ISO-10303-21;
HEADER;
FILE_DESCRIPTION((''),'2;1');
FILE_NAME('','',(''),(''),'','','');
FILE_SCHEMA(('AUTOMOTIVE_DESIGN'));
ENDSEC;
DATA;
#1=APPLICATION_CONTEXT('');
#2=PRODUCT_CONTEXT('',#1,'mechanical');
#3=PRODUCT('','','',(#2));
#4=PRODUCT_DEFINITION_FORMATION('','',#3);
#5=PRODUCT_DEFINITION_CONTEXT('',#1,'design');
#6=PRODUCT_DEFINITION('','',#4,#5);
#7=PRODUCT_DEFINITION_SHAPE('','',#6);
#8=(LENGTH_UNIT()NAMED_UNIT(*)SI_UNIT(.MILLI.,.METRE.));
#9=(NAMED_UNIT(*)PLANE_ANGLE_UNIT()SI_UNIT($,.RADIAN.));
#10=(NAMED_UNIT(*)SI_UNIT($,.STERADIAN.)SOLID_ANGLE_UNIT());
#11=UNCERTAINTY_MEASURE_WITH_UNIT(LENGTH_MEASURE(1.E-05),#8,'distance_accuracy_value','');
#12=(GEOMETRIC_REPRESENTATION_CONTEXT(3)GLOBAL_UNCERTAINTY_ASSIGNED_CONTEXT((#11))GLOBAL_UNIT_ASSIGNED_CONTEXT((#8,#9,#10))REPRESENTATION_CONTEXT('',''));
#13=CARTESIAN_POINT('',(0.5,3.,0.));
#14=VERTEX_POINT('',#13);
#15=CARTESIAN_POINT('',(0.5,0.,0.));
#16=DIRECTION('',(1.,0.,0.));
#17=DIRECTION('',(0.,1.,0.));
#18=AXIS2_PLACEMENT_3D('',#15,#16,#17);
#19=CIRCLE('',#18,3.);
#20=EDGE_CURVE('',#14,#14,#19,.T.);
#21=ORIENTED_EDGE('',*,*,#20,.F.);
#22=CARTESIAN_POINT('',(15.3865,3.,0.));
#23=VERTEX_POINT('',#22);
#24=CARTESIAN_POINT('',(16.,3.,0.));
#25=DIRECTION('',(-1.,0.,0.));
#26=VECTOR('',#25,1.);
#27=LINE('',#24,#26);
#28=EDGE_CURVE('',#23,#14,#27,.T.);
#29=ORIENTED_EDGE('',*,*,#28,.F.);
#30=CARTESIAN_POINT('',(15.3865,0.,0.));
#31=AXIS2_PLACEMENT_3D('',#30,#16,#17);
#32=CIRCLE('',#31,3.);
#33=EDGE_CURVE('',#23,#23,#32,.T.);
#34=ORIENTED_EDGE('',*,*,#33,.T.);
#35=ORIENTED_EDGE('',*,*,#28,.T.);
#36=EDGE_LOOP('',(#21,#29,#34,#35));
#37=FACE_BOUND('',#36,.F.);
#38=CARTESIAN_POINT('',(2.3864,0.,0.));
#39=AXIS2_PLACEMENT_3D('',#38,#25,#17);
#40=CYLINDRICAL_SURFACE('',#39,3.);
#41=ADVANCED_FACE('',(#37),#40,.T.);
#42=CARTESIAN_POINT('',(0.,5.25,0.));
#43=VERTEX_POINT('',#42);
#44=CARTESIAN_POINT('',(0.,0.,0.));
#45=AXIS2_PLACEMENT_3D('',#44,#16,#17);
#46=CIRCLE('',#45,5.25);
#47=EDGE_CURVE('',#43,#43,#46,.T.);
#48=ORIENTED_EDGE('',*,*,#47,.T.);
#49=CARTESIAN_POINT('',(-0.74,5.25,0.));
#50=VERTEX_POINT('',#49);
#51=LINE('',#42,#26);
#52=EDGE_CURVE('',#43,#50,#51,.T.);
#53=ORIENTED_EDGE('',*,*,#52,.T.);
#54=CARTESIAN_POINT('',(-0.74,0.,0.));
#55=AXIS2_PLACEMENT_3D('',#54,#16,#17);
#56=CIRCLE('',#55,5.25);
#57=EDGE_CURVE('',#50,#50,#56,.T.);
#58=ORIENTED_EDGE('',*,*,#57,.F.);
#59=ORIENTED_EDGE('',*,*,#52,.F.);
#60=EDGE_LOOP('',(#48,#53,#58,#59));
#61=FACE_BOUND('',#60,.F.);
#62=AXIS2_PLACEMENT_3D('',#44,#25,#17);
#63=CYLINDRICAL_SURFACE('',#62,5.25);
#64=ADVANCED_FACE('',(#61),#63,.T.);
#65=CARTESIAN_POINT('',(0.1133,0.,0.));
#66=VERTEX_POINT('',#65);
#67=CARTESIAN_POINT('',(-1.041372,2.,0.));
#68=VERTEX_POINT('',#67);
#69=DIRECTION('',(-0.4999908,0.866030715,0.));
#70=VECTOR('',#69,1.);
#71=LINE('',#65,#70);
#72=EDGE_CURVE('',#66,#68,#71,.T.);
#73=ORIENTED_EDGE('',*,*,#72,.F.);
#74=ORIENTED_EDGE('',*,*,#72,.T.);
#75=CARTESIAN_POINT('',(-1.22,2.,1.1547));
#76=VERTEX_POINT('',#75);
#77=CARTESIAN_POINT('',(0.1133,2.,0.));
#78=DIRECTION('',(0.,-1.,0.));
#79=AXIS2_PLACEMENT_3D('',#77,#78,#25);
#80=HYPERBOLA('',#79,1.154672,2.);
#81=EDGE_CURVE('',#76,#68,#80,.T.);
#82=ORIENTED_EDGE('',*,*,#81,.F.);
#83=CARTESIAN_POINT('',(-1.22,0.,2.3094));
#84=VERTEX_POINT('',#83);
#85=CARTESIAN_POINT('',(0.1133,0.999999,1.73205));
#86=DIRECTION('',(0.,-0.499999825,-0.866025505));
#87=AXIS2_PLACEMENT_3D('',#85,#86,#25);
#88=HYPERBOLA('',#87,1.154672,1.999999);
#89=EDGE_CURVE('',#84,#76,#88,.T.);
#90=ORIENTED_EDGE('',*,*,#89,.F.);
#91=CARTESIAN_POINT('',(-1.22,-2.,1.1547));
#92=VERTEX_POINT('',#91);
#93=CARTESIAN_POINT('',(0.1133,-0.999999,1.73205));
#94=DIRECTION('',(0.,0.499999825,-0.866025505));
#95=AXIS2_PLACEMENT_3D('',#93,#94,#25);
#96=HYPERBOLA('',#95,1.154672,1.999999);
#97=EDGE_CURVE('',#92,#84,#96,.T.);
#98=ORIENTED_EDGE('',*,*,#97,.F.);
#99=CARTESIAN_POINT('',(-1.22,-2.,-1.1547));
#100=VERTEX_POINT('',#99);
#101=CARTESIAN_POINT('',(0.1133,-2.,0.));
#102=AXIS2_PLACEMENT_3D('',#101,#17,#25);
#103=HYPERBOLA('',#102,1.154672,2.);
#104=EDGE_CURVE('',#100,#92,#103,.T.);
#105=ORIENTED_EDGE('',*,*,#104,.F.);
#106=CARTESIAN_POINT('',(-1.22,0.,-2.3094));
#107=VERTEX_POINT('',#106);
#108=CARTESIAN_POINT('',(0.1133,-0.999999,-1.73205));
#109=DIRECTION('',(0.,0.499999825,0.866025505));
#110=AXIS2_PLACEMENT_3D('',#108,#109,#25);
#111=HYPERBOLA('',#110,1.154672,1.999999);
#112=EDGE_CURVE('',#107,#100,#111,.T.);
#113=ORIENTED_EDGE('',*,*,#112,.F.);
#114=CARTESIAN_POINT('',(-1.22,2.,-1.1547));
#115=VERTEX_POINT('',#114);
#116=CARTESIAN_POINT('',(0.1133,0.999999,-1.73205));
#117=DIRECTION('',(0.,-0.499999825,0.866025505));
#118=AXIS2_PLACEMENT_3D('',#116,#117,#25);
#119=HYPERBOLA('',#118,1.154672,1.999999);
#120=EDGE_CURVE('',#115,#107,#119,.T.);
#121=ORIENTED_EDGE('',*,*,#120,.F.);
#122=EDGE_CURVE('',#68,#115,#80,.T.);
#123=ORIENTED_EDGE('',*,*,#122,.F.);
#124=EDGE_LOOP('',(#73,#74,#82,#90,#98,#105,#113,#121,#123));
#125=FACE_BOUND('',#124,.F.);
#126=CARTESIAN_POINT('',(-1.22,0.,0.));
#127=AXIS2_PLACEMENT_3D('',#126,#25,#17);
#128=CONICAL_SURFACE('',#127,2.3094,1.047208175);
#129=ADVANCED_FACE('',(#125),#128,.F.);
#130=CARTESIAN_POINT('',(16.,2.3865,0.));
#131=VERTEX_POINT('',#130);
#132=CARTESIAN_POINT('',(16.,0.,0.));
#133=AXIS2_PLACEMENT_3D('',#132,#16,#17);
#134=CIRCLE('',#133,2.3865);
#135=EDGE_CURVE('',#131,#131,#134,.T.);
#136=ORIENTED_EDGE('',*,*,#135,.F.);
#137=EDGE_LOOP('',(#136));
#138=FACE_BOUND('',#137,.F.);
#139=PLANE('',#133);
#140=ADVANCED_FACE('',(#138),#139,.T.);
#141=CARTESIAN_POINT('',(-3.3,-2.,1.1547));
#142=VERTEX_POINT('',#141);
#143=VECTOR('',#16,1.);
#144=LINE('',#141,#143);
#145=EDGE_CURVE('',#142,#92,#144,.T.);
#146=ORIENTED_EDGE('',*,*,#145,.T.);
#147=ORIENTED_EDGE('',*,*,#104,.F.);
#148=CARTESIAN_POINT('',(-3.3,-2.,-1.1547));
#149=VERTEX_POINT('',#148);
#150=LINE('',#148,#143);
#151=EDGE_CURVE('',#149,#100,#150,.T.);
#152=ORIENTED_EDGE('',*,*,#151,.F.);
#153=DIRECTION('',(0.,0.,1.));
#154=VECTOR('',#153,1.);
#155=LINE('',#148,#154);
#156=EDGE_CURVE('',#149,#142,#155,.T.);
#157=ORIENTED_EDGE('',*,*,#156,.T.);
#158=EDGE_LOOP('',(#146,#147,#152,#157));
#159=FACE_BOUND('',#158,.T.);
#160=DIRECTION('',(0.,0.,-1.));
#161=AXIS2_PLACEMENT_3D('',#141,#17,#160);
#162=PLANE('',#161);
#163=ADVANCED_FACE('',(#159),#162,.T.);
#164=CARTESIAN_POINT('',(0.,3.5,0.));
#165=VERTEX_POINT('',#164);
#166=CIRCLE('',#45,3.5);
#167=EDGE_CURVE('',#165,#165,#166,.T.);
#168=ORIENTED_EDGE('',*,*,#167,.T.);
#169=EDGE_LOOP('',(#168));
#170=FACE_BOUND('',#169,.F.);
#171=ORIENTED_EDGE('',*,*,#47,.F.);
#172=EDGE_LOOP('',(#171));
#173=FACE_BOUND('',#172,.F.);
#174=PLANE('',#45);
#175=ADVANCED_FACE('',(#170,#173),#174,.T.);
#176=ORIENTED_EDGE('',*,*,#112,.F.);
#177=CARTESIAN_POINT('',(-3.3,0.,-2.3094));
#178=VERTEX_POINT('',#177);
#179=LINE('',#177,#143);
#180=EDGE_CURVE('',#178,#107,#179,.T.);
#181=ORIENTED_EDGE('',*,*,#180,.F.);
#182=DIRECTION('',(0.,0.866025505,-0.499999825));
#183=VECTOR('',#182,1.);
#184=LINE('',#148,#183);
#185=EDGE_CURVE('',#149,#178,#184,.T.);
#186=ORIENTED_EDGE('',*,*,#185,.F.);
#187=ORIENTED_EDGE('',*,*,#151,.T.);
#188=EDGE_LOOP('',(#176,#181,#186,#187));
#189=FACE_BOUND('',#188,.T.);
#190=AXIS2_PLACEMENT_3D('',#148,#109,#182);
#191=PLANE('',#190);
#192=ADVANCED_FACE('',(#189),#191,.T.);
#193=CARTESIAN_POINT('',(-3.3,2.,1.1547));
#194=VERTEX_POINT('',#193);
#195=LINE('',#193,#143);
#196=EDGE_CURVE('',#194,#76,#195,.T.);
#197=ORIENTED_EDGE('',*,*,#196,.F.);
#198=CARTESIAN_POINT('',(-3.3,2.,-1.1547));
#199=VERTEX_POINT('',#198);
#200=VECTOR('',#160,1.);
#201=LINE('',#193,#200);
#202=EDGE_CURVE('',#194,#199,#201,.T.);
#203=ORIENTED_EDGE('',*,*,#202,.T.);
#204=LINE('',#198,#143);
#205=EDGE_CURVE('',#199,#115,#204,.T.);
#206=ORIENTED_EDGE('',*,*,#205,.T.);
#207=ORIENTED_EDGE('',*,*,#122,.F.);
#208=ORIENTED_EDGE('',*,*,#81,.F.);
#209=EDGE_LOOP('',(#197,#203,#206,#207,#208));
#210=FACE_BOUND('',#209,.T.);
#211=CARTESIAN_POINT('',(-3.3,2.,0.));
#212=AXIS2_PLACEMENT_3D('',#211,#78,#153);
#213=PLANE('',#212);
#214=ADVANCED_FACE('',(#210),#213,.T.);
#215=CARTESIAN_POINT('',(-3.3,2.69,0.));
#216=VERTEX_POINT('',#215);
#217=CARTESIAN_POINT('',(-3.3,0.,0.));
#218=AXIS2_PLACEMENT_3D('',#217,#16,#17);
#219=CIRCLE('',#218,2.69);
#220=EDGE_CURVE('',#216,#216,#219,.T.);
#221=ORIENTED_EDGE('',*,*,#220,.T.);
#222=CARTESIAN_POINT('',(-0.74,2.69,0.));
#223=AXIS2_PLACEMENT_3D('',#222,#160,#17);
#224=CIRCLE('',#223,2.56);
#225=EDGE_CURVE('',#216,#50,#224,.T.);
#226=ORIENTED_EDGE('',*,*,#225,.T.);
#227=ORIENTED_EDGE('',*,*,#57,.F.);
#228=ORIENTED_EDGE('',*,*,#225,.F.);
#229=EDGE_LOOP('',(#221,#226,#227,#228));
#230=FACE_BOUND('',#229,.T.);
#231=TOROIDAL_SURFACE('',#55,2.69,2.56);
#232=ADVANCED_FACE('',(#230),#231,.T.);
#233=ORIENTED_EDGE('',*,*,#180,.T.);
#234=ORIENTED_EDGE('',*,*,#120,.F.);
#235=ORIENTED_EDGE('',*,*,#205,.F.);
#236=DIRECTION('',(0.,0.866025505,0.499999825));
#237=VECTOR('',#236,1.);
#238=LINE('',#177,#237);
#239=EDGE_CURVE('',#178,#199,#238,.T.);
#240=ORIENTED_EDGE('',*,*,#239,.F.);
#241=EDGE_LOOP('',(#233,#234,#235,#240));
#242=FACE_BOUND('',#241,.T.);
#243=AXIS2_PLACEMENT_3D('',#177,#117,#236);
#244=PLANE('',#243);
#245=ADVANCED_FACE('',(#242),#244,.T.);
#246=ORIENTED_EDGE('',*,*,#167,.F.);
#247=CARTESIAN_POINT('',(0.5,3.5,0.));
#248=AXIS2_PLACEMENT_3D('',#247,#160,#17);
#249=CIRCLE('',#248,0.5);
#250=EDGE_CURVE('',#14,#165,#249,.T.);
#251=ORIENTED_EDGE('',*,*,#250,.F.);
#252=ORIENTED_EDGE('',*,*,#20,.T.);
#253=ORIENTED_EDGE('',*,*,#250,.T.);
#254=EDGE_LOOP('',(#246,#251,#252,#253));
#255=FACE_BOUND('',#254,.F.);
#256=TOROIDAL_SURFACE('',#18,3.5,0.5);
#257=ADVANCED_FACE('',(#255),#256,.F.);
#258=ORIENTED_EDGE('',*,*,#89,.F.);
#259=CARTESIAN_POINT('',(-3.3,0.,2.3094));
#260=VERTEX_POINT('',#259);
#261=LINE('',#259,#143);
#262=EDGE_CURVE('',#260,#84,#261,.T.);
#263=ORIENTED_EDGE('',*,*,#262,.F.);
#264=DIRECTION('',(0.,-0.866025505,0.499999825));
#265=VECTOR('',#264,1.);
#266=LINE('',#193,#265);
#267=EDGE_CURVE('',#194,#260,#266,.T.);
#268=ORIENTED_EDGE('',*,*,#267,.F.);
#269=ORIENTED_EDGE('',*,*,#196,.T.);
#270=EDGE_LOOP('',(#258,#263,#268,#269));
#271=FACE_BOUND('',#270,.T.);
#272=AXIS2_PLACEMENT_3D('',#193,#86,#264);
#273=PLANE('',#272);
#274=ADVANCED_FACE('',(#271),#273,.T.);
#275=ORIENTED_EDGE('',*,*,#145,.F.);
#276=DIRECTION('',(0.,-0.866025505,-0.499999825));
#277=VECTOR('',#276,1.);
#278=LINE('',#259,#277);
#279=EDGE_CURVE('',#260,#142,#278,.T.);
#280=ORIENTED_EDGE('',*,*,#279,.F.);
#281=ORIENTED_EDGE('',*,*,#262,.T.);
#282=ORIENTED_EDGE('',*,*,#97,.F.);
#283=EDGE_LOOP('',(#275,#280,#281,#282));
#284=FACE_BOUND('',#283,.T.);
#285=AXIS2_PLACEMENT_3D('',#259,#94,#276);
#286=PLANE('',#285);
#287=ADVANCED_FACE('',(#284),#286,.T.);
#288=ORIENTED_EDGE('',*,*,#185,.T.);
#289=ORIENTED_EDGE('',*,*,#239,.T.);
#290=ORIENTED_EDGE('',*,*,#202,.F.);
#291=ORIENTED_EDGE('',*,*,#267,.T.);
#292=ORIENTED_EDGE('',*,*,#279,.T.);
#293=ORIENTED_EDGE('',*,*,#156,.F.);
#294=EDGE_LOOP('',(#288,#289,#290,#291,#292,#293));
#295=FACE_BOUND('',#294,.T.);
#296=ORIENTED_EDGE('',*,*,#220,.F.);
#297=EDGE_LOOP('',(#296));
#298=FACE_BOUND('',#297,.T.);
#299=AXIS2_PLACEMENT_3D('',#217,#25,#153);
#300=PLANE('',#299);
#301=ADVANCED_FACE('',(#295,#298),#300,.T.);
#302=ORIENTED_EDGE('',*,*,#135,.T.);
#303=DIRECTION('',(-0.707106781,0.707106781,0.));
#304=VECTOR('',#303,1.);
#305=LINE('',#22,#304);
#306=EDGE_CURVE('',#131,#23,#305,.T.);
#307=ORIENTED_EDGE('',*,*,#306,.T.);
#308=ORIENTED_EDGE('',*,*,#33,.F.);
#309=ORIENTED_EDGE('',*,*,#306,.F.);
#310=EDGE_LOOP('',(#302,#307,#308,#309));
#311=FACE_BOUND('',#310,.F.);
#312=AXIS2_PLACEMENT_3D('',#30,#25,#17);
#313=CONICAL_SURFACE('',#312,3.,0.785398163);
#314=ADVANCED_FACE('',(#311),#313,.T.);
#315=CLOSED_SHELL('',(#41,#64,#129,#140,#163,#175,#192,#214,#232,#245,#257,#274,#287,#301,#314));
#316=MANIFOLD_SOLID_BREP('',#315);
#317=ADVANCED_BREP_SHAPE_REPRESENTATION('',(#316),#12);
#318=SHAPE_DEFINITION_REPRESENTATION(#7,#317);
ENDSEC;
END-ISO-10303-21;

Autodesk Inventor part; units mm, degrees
ref_plane "YZ Plane" through (0, 0, 0) normal (1, 0, 0) x (0, 1, 0)
ref_plane "XZ Plane" through (0, 0, 0) normal (0, 1, 0) x (-1, 0, 0)
sketch "Sketch1" plane through (0, 0, 0) normal (0, 0, 1) x (1, 0, 0)
  line L0 (0.1133, 0) -> (16, 0)
  line L1 (16, 0) -> (16, 3)
  line L2 (16, 3) -> (3, 3)
  line L3 (3, 3) -> (2.3864, 3)
  line L4 (2.3864, 3) -> (0, 3)
  line L5 (0, 3) -> (0, 5.25)
  line L6 (0, 5.25) -> (-3.3, 5.25)
  line L7 (-3.3, 5.25) -> (-3.3, 2.3094)
  line L8 (-3.3, 2.3094) -> (-1.22, 2.3094)
  line L9 (-1.22, 2.3094) -> (0.1133, 0)
  line L10 (-7.16, 0) -> (19.86, 0) projected
  line L11 (0, -1.05) -> (0, 6.3) projected
  line L12 (3, 3) -> (0, 3) construction
  dimension "d1" = 13
  dimension "d2" = 0.6136
  dimension "d3" = 3.3
  dimension "d4" = 2.08
  dimension "d5" = 60
  dimension "d6" = 6
  dimension "d7" = 6
  dimension "d8" = 4.6188
  dimension "d9" = 10.5
  dimension "d26" = 16
revolve "Body" add sketch "Sketch1" angle 360 about axis through (0.1133, 0, 0) along (1, 0, 0) contours L9 L11 L4 L3 L2 L1 L0 | L9 L8 L7 L6 L5 L11
sketch "Sketch2" plane through (-3.3, 0, 0) normal (-1, 0, 0) x (0, 0, 1)
  circle A0 centre (0, 0) radius 2.3094 projected
  line L0 (0, -7.35) -> (0, 7.35) projected
  line L1 (-7.35, 0) -> (7.35, 0) projected
  line L2 (2.3094, 0) -> (1.1547, -2)
  line L3 (1.1547, -2) -> (-1.1547, -2)
  line L4 (-1.1547, -2) -> (-2.3094, 0)
  line L5 (-2.3094, 0) -> (-1.1547, 2)
  line L6 (-1.1547, 2) -> (1.1547, 2)
  line L7 (1.1547, 2) -> (2.3094, 0)
extrude "Slot" add sketch "Sketch2" against normal up to next contours L7 A0 | A0 L2 | L6 L0 A0 | A0 L0 L3 | L0 L6 A0 | A0 L3 L0 | L4 A0 | A0 L5
fillet "Fillet1" radius 2.56 1 edges at (-3.3, -5.25, 0)
thread "Thread" size "M6x1" class "6g" standard "ISO Metric profile" length 13
chamfer "Chamfer1" distance 0.6135 distance2 0.6135 1 edges at (16, -3, 0) measured on face at (16, -1.1424, 0.935)
ref_plane "Work Plane1" through (29, 0, 0) normal (0, -1, 0) x (1, 0, 0)
fillet "Fillet2" radius 0.5 1 edges at (0, -3, 0)
equation "\"d1\" = GEL"
equation "\"d3\" = KOH"
equation "\"d4\" = INTI"
equation "\"d6\" = GD"
equation "\"d7\" = BDM"
equation "\"d8\" = 1.1547 * SW"
equation "\"d9\" = KOD"
equation "\"d26\" = NLG"
equation "\"d30\" = R"
equation "\"d17\" = RR"
equation "\"d13\" = GEL"
equation "\"d15\" = -0.5 * SPD + 0.5 * GD"
equation "\"d16\" = GUL"
equation "\"GD\" = NND"
equation "\"NLG\" = 16"
equation "\"GEL\" = 13"
equation "\"KOD\" = 10.5"
equation "\"KOH\" = 3.3"
equation "\"INTI\" = 2.08"
equation "\"GAL\" = 0.61345 * PTC"
equation "\"GUL\" = 0.61345 * PTC"
equation "\"BDM\" = NND"
equation "\"SW\" = 4"
equation "\"RR\" = 2.56"
equation "\"SPD\" = NND - 1.2269 * PTC"
equation "\"R\" = 0.5"
equation "\"TOA\" = 30deg"
equation "\"GD1\" = THREADDIA - 1.2269 * PTC"
equation "\"THREADDIA\" = 6"
equation "\"PTC\" = 1"
equation "\"NND\" = 6"
equation "\"KOH1\" = 0.74"
equation "\"E0\" = 4.583"
properties part number "ISO 7380-1 - M6 x 16" material "Steel"
